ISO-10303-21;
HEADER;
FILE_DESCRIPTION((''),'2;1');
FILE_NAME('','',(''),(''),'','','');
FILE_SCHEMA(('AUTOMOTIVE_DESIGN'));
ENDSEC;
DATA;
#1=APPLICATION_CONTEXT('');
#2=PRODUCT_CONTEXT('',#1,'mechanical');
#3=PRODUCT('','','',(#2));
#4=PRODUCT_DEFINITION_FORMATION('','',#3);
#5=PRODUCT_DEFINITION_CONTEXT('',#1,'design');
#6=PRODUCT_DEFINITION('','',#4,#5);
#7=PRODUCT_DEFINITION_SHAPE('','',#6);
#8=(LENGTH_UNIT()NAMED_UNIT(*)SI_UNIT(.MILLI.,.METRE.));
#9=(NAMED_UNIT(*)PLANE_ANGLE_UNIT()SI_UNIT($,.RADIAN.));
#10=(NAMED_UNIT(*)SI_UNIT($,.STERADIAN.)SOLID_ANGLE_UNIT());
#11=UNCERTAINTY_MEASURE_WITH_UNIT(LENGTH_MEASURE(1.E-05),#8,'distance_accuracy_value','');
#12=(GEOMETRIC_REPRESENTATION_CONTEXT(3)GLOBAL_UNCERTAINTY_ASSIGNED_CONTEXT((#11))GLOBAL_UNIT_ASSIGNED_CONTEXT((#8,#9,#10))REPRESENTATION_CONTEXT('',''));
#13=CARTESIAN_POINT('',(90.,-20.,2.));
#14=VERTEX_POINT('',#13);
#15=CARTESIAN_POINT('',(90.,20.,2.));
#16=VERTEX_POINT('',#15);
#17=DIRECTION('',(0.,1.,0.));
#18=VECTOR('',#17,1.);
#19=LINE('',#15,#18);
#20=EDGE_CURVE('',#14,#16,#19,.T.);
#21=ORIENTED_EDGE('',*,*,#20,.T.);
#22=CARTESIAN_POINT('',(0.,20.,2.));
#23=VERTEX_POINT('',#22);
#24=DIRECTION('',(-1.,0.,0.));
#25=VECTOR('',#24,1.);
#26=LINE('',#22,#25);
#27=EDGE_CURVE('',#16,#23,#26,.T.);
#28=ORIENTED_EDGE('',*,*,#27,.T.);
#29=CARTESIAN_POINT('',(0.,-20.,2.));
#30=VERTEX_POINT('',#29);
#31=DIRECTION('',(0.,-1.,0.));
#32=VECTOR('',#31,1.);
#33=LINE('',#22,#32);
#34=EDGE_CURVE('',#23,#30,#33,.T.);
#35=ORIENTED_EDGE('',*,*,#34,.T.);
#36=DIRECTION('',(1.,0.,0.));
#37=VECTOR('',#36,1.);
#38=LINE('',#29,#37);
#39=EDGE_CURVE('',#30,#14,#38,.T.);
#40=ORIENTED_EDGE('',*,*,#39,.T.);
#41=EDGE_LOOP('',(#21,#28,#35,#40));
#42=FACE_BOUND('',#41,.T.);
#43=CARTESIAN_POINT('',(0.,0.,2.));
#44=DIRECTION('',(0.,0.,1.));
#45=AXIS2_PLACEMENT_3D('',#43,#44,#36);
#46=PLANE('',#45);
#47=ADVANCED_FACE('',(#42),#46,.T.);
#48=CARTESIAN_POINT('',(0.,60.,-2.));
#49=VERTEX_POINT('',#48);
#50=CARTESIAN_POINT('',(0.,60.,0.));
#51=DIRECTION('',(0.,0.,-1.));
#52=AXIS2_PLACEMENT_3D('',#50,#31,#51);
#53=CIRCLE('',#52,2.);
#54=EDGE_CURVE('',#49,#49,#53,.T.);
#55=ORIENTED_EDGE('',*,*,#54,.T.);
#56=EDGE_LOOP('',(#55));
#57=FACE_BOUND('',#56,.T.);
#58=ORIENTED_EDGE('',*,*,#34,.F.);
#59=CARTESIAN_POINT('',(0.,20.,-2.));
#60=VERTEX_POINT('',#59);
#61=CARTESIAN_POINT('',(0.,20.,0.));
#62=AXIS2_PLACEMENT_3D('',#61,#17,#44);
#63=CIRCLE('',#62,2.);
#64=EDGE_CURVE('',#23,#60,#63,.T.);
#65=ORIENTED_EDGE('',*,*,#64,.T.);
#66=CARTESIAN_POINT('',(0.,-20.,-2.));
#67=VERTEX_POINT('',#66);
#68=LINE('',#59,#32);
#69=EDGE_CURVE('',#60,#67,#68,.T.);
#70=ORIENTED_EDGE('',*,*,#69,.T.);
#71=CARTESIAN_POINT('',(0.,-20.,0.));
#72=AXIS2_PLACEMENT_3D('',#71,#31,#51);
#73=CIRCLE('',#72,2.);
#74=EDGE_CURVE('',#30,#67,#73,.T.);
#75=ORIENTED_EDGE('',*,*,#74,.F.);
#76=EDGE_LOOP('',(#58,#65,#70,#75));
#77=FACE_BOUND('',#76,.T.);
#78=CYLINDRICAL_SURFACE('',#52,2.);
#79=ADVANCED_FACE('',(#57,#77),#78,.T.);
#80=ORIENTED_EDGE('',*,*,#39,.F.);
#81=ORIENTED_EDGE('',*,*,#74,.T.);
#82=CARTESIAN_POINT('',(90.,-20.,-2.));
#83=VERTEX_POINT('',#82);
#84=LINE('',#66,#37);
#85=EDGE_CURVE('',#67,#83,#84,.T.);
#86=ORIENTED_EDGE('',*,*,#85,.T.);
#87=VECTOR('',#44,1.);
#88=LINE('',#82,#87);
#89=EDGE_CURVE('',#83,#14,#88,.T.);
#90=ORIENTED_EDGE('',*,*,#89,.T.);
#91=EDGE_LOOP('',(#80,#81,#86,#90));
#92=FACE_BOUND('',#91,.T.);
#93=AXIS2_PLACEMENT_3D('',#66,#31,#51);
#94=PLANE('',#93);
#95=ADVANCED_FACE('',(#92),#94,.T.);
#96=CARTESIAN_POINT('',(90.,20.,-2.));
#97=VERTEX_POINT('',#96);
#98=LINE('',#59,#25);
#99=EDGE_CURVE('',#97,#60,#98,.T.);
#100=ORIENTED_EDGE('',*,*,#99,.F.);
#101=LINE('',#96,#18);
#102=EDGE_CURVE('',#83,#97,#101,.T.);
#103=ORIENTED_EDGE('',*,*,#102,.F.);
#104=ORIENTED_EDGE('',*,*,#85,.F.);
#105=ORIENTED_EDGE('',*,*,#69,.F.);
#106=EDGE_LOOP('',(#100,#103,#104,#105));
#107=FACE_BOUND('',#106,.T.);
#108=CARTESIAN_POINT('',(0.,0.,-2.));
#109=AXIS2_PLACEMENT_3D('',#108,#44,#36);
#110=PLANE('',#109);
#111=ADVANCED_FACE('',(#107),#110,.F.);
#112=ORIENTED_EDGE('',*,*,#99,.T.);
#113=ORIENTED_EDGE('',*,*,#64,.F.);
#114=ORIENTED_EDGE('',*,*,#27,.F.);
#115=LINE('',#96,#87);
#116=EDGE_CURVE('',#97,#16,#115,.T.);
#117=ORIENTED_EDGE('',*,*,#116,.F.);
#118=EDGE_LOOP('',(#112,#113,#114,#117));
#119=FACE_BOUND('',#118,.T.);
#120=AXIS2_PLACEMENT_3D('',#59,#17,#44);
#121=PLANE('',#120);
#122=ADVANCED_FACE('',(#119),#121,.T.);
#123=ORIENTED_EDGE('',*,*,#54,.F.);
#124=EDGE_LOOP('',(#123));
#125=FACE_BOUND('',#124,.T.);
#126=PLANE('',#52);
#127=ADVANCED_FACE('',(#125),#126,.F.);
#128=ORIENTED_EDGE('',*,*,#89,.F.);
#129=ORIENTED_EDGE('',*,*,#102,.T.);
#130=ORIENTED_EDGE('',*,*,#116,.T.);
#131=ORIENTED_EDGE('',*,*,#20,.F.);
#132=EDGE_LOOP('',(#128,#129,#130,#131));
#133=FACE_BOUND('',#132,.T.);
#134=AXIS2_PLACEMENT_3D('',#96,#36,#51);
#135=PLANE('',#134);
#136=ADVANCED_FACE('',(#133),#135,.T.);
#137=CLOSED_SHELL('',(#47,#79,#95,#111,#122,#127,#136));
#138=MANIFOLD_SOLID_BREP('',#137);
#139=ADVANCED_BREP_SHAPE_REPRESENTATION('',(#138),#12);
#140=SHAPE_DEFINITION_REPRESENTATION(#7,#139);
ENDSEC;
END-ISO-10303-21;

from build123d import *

# Parameters (mm, degrees)
SKETCH1_W           = 90
SKETCH1_H           = 40
BOSS_EXTRUDE1_DEPTH = 2
SKETCH4_R           = 2
BOSS_EXTRUDE2_DEPTH = 80


with BuildPart() as part:
    # Sketch1 → Boss-Extrude1 (new, symmetric)
    with BuildSketch(Plane.XY):
        with Locations((45, 0)):
            Rectangle(SKETCH1_W, SKETCH1_H)
    extrude(amount=BOSS_EXTRUDE1_DEPTH, both=True)

    # Sketch4 → Boss-Extrude2 (add)
    with BuildSketch(Plane.XZ.offset(20)):
        with Locations(Location((0, 0, 0), (0, 0, 270))):
            Circle(SKETCH4_R)
    extrude(amount=-BOSS_EXTRUDE2_DEPTH)


solid = part.part
